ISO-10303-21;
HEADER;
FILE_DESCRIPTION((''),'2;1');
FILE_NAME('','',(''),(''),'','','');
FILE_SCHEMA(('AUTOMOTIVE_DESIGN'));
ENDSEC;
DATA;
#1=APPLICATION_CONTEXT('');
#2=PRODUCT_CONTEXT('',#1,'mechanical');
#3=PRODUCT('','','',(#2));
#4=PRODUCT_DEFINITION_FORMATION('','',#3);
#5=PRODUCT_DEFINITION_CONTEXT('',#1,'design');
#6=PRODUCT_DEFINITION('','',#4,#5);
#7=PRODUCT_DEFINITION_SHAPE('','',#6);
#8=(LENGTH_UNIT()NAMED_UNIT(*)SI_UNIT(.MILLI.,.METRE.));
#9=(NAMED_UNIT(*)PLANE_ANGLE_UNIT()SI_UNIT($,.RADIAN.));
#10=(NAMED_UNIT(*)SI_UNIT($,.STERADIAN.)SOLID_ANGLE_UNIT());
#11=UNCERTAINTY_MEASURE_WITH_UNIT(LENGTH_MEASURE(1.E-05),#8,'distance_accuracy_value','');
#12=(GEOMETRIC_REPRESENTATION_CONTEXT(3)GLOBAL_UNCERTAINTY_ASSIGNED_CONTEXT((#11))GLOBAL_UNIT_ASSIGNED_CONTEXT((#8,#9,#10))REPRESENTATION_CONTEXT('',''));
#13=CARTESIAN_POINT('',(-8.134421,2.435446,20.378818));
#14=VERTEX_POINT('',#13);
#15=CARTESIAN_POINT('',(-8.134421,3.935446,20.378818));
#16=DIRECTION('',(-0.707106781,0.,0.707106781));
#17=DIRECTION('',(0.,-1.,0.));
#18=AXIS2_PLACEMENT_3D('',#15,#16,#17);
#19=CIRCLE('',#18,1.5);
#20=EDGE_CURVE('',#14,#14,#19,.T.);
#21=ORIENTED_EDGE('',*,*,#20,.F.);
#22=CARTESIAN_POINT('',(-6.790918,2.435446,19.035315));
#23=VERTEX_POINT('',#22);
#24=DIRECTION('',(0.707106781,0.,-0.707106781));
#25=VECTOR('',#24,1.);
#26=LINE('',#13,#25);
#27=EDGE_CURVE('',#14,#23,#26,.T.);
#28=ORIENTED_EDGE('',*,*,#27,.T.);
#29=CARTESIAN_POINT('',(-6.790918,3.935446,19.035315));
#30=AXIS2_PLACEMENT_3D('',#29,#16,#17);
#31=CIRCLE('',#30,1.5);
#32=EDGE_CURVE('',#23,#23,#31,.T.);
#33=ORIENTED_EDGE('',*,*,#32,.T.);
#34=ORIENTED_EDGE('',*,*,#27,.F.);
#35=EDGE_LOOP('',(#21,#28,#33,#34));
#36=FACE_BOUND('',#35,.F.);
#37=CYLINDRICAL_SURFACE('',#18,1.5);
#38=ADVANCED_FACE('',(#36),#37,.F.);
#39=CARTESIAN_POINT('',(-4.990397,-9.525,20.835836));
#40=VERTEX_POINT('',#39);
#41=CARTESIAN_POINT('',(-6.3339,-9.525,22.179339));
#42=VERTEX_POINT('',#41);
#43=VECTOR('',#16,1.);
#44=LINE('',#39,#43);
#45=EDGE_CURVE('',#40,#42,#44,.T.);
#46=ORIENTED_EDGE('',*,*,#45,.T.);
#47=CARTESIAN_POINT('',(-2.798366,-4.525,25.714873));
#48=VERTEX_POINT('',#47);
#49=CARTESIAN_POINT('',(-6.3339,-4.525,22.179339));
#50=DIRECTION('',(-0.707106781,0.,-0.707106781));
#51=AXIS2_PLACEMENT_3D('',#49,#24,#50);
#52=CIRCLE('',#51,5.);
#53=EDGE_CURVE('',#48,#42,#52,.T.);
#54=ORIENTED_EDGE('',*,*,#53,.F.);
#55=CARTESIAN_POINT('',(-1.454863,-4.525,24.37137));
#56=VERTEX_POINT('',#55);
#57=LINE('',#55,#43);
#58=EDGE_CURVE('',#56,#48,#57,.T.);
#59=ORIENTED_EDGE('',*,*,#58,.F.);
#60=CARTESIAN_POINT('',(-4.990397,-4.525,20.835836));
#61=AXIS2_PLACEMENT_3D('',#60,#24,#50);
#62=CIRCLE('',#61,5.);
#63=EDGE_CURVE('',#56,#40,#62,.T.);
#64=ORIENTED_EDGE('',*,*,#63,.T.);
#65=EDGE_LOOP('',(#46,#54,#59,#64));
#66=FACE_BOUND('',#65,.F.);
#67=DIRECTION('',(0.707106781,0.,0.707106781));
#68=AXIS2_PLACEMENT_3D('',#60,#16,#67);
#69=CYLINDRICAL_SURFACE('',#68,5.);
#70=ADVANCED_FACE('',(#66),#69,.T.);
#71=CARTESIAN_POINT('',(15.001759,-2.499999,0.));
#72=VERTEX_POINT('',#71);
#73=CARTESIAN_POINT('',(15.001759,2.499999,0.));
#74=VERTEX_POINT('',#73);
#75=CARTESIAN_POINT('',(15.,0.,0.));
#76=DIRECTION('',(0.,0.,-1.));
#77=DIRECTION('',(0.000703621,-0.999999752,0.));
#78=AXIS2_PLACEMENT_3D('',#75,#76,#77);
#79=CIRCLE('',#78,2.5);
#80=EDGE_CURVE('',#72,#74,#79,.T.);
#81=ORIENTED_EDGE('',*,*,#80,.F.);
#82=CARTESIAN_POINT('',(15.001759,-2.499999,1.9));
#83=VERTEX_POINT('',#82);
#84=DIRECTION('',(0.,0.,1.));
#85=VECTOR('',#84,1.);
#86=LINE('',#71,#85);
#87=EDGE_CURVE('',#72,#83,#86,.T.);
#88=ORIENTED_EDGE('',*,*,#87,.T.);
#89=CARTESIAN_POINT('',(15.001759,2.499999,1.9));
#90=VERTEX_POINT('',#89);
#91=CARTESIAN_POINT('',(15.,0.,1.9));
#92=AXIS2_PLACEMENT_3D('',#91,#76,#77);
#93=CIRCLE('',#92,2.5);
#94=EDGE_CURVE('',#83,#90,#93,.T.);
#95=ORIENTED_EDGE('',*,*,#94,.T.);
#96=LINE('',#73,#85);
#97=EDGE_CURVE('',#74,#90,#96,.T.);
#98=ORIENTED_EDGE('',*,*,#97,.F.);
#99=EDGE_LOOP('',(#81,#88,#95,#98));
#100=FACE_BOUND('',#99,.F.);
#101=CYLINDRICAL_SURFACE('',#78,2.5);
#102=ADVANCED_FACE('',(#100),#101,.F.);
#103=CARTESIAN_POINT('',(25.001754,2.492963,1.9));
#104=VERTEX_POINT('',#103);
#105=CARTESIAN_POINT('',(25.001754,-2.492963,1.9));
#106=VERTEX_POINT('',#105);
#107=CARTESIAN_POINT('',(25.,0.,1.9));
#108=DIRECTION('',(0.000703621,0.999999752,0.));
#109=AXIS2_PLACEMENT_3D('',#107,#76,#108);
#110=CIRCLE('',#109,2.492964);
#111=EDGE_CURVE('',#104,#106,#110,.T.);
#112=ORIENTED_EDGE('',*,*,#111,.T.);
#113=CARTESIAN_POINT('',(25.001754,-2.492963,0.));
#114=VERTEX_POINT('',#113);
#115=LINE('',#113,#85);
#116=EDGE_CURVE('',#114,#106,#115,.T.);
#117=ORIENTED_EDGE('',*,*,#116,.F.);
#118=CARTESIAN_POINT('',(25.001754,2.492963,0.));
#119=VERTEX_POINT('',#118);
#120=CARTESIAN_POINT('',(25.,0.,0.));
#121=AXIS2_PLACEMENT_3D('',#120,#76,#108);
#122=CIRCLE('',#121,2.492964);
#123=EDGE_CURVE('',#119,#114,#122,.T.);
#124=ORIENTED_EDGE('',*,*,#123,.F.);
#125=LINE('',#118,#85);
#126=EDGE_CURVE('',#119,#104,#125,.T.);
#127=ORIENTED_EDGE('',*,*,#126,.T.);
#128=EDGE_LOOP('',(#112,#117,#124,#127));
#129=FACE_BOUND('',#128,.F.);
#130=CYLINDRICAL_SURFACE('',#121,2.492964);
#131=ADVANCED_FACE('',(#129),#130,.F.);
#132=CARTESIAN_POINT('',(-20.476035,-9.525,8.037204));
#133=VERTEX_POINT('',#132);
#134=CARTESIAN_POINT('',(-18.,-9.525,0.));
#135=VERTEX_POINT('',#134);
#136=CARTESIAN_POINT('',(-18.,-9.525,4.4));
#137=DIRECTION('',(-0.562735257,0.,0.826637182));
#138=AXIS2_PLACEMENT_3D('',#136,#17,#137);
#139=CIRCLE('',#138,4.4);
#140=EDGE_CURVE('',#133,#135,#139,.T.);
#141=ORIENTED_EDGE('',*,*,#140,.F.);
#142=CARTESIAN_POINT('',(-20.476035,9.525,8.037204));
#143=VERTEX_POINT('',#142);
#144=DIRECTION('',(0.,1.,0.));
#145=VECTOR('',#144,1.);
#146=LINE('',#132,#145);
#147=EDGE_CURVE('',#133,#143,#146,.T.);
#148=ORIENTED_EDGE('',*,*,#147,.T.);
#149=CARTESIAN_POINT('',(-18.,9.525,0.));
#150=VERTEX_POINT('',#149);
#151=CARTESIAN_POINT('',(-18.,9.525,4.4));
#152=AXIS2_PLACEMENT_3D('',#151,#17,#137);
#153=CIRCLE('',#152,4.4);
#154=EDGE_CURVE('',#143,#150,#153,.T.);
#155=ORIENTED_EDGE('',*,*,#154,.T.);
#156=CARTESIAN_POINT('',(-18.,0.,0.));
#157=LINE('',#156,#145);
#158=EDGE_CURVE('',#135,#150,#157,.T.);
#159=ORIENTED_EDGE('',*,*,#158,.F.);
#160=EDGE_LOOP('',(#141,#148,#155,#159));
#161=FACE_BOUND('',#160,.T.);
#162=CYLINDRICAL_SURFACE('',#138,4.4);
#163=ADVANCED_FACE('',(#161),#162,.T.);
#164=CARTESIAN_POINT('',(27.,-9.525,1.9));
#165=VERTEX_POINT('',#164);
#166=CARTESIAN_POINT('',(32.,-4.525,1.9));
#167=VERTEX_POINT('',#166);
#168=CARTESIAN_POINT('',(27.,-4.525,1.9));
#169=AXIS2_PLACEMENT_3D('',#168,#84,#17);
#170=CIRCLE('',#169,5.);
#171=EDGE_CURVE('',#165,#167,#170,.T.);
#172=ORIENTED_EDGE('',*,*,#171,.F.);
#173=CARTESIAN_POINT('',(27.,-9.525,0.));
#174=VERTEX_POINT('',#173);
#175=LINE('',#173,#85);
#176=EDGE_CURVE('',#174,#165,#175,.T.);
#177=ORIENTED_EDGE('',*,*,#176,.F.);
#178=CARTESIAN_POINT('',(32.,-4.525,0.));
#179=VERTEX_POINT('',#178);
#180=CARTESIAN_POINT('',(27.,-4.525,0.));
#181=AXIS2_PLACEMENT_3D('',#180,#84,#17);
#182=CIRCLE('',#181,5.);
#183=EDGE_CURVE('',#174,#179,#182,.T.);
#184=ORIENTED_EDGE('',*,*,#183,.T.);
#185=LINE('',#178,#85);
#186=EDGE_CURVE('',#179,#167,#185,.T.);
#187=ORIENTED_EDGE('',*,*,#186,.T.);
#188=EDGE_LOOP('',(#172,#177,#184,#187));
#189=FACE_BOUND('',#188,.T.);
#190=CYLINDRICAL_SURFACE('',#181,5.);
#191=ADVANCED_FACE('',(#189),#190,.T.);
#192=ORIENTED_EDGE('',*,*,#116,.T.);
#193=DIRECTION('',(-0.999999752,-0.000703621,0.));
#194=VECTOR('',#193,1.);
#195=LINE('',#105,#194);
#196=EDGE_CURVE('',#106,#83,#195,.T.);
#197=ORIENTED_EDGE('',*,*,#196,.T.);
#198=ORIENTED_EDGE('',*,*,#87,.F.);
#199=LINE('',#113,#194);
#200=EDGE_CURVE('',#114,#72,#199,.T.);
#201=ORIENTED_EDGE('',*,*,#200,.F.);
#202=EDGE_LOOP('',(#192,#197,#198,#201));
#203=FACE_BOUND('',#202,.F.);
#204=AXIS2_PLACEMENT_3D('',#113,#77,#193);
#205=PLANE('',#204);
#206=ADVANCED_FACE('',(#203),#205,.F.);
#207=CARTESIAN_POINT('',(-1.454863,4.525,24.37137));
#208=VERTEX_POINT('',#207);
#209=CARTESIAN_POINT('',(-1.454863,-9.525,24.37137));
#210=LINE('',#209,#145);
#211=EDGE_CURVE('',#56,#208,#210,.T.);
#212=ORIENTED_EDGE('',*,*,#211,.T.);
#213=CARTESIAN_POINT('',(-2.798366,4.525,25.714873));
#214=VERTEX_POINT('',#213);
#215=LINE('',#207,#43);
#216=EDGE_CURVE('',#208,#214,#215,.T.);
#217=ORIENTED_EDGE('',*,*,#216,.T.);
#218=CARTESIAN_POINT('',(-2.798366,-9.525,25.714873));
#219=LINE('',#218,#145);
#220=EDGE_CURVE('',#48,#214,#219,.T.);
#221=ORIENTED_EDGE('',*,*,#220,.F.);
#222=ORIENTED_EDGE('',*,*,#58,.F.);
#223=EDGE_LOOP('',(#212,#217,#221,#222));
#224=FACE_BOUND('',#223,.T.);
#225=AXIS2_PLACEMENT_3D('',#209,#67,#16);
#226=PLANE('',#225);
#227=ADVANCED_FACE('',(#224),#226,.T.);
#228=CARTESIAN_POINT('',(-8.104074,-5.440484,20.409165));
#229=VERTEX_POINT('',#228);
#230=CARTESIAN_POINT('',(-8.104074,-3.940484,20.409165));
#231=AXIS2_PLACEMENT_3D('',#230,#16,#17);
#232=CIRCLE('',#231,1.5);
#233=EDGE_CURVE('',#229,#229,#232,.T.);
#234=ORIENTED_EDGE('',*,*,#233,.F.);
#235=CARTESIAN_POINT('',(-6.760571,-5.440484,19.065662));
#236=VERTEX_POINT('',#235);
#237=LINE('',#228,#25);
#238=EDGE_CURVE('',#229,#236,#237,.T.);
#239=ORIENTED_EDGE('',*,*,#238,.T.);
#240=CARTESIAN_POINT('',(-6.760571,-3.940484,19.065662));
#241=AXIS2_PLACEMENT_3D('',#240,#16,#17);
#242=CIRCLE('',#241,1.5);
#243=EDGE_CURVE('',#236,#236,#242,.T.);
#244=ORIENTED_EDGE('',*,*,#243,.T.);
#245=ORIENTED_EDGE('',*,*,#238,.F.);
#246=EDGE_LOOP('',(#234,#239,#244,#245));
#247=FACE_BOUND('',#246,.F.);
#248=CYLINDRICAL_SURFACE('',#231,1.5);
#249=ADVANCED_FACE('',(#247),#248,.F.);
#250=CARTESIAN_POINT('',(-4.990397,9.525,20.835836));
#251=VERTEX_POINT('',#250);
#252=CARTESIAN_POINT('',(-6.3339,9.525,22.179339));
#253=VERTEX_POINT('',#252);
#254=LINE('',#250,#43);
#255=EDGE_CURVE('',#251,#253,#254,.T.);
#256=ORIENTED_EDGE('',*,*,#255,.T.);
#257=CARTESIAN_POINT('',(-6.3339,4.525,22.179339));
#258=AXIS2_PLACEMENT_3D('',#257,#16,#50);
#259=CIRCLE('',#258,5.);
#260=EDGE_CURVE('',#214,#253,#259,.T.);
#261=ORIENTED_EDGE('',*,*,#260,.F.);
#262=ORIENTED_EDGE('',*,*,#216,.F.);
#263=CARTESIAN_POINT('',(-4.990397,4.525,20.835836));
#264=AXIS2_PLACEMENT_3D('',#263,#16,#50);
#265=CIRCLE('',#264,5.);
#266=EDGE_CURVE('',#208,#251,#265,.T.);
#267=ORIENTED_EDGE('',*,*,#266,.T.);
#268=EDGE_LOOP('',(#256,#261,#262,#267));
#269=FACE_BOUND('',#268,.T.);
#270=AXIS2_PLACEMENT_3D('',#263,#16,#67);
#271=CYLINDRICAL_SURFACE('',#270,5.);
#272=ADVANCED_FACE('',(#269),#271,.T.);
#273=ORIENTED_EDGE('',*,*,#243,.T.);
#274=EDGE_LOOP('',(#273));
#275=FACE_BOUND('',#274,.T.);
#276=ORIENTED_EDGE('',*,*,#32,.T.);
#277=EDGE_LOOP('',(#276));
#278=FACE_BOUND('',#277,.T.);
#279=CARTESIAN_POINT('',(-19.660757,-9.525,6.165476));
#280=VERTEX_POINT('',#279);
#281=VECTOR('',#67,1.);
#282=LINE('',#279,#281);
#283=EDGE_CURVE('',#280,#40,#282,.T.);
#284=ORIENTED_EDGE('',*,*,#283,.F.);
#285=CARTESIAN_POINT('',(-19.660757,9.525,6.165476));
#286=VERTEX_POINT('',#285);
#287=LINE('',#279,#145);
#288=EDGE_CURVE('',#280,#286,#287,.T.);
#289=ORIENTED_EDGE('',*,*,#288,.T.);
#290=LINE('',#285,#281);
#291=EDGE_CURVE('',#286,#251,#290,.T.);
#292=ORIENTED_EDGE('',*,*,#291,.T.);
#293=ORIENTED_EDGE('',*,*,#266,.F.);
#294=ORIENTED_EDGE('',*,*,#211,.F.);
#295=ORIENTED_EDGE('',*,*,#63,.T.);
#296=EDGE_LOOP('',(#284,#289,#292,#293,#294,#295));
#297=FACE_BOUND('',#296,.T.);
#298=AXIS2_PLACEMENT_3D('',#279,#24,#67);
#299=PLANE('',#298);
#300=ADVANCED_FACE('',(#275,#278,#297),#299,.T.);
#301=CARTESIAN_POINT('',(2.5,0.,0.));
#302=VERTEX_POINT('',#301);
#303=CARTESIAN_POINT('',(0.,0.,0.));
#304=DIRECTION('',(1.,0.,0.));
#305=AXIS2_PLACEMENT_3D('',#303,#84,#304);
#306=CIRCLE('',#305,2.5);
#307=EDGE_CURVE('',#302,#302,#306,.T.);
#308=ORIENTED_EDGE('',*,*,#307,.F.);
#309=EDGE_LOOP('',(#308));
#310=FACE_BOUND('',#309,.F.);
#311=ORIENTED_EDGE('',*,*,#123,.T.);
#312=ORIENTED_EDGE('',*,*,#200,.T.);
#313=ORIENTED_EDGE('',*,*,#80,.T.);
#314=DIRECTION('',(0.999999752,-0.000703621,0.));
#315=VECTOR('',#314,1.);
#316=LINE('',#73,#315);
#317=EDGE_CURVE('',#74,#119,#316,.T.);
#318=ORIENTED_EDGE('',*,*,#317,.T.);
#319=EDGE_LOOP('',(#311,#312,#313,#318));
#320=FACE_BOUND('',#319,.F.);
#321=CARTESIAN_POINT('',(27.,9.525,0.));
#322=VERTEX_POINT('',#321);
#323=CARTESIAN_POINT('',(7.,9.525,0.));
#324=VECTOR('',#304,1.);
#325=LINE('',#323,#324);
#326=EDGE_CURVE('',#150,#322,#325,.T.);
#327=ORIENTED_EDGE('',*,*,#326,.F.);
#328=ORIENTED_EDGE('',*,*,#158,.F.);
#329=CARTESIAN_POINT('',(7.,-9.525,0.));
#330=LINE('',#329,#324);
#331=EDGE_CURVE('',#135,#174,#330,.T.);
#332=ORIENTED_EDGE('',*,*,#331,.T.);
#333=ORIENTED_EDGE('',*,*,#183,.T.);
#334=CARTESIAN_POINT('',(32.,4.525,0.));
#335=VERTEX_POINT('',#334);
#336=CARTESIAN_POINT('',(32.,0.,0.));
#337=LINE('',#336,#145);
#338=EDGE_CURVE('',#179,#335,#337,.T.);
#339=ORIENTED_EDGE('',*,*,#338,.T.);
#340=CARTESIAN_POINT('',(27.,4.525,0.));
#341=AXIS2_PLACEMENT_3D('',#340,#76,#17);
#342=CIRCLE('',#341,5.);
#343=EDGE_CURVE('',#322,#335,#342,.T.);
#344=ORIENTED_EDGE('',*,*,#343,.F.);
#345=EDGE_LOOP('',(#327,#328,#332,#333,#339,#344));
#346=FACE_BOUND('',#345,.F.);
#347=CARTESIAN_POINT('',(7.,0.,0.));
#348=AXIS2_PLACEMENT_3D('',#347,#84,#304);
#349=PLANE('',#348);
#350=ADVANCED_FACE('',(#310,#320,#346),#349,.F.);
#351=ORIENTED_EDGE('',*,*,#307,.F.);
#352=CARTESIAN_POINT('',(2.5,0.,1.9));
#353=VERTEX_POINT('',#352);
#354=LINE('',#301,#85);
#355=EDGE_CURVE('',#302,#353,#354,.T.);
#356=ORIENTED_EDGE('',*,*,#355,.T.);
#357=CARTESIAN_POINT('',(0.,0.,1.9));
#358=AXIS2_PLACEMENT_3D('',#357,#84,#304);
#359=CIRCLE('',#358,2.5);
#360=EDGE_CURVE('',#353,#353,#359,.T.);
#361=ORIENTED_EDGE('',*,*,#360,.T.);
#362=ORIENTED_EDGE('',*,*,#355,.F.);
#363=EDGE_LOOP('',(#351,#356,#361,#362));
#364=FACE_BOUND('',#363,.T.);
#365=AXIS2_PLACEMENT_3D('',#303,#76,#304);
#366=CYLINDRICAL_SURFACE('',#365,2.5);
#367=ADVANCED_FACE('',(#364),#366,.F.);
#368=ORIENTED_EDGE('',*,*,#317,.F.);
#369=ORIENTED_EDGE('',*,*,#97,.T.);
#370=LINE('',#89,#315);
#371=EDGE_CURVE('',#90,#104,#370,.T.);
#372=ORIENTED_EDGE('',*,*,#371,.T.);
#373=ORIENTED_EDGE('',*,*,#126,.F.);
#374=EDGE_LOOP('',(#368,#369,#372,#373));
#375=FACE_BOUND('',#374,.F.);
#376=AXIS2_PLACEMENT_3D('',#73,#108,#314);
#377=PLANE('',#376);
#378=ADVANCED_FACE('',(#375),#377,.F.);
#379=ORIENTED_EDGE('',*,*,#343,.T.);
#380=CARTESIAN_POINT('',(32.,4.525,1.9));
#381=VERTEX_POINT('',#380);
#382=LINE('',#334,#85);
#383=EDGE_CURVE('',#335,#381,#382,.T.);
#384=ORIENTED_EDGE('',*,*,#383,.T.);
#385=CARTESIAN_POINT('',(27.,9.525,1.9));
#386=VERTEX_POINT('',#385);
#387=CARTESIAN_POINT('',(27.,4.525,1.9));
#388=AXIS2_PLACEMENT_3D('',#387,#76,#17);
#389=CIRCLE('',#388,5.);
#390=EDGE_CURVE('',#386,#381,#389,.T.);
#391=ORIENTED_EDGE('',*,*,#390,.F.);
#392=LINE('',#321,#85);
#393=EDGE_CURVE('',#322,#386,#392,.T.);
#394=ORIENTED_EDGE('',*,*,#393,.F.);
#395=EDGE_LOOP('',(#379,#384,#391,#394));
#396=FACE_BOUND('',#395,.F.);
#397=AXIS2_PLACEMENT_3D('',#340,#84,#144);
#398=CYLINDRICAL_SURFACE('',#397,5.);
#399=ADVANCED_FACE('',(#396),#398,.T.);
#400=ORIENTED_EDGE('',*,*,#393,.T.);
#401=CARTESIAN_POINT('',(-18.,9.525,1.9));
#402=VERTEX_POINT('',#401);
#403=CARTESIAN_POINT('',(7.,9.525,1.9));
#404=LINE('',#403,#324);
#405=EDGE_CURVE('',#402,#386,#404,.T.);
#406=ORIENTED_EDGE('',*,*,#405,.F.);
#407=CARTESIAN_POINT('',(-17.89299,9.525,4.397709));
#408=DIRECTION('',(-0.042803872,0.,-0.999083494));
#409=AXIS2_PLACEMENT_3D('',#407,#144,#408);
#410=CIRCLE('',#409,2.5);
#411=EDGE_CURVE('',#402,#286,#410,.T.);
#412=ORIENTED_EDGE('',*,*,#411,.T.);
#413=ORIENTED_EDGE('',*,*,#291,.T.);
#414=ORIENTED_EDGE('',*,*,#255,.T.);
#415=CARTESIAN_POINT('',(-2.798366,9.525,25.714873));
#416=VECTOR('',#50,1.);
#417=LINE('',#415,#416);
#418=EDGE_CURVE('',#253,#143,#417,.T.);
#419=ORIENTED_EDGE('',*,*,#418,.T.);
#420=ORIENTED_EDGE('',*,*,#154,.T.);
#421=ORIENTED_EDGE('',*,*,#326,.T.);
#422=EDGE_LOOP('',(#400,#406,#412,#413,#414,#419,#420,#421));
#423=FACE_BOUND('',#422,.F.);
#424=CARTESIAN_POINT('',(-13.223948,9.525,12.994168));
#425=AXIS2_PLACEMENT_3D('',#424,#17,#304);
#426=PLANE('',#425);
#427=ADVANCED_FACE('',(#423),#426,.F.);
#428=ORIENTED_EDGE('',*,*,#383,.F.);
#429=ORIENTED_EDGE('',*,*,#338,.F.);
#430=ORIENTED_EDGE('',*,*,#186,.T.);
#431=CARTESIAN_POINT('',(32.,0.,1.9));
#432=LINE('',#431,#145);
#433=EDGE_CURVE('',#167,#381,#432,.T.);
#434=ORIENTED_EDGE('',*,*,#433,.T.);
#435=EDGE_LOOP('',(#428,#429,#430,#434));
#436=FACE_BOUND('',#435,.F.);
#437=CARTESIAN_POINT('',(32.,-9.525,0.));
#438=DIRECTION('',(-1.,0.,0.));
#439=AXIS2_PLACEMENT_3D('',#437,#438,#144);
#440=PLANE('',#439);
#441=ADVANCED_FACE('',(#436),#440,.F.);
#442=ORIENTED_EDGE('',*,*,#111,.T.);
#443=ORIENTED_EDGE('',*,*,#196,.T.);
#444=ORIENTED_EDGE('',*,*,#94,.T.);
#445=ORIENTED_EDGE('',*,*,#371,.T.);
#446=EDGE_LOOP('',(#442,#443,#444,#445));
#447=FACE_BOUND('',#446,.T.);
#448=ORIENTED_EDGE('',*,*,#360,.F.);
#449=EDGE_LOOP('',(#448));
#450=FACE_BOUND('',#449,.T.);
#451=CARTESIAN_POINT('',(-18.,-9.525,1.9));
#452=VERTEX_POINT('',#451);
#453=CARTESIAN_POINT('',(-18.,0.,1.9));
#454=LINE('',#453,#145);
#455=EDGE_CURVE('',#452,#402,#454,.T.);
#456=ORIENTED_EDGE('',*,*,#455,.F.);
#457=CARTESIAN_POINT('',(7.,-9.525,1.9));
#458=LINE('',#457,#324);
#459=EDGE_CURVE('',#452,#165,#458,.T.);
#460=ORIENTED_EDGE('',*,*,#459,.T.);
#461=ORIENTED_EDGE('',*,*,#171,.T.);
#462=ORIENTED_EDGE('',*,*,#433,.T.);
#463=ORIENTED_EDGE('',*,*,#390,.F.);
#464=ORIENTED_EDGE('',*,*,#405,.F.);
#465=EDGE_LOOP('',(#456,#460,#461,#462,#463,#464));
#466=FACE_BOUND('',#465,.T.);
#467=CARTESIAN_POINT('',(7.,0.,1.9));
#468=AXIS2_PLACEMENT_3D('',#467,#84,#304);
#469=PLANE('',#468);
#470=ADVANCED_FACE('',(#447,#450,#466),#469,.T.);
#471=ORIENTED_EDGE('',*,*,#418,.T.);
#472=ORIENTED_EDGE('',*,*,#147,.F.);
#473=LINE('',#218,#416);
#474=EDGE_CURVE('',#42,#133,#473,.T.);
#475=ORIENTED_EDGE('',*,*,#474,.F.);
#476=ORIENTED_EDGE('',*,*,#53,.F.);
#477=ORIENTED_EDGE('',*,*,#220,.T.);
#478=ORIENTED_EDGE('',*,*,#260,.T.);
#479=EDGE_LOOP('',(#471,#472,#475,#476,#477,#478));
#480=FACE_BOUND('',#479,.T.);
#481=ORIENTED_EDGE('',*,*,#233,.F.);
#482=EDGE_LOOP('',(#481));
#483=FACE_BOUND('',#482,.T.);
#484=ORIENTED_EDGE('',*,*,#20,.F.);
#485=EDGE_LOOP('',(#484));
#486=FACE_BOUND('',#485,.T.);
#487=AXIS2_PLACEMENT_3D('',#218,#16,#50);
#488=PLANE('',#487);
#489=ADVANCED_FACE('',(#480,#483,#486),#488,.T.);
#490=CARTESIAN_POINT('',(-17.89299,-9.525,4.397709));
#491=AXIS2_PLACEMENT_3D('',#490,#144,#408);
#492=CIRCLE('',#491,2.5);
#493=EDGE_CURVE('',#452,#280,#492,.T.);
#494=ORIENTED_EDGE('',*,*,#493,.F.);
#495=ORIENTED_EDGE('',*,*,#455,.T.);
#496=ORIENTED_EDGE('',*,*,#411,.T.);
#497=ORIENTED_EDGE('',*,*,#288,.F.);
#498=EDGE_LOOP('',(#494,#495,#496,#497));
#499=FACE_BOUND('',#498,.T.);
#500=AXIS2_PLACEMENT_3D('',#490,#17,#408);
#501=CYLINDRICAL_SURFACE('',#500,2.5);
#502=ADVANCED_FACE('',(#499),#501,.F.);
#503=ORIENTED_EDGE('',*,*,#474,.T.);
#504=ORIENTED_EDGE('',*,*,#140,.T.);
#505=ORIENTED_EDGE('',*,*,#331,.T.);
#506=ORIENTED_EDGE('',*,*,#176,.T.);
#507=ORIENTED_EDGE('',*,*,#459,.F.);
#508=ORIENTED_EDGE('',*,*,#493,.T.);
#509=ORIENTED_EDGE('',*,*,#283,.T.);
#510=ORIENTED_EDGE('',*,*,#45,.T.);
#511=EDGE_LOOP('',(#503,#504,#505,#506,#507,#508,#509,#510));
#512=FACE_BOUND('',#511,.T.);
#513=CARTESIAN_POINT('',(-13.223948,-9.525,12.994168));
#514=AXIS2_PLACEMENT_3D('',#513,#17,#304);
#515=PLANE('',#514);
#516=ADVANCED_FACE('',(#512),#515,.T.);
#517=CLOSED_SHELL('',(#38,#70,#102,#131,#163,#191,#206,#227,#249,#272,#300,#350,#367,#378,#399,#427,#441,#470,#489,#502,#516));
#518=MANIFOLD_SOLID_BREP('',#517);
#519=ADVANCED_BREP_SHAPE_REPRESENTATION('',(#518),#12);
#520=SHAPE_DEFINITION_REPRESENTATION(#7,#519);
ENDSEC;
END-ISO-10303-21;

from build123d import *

# Parameters (mm, degrees)
F0_W     = 50
F0_H     = 19.05
F0_R     = 2.5
F1_DEPTH = 1.9
F2_R     = 5
F4_DEPTH = 19.05
F5_R     = 5
F6_R     = 1.5
F7_DEPTH = 5


with BuildPart() as f1:
    # F0 (on Top) → F1 (new body)
    with BuildSketch(Plane.XY):
        with Locations((7, 0)):
            Rectangle(F0_W, F0_H)
        Circle(F0_R, mode=Mode.SUBTRACT)
        with BuildLine():
            ThreePointArc((25.0017541021, 2.4929631711), (26.7634116596, 1.762171322), (27.4929637882, 0))
            ThreePointArc((27.4929637882, 0), (26.7634116596, -1.762171322), (25.0017541021, -2.4929631711))
            Line((25.0017541021, -2.4929631711), (15.0017590529, -2.4999993811))
            ThreePointArc((15.0017590529, -2.4999993811), (12.5, 0), (15.0017590529, 2.4999993811))
            Line((15.0017590529, 2.4999993811), (25.0017541021, 2.4929631711))
        make_face(mode=Mode.SUBTRACT)
    extrude(amount=F1_DEPTH)

    # F2
    f2_edges = [f1.edges().sort_by_distance(p)[0] for p in [
        (32, -9.525, 0.95),
        (32, 9.525, 0.95),
    ]]
    fillet(f2_edges, radius=F2_R)

    # F3 (on face) → F4 (join)
    with BuildSketch(Plane.XZ.offset(9.525)):
        with BuildLine():
            Line((-2.7983656003, 25.7148731307), (-20.47603513, 8.037203601))
            ThreePointArc((-20.47603513, 8.037203601), (-22.2049789443, 3.1045649079), (-18, 0))
            Line((-18, 0), (-18, 1.9))
            ThreePointArc((-18, 1.9), (-20.2226399871, 3.4906627434), (-19.6607572738, 6.1654756887))
            Line((-19.6607572738, 6.1654756887), (-1.454862716, 24.3713702464))
            Line((-1.454862716, 24.3713702464), (-2.7983656003, 25.7148731307))
        make_face()
    extrude(amount=-F4_DEPTH)

    # F5
    f5_edges = [f1.edges().sort_by_distance(p)[0] for p in [
        (-2.126614, -9.525, 25.043122),
        (-2.126614, 9.525, 25.043122),
    ]]
    fillet(f5_edges, radius=F5_R)

    # F6 (on face) → F7 (cut)
    with BuildSketch(Plane(origin=(-14.2566193655, 0, 14.2566193655), x_dir=(0, -1, 0), z_dir=(-0.7071067812, 0, 0.7071067812))):
        with Locations((-3.9354462066, 8.6580958872)):
            Circle(F6_R)
        with Locations((3.9404836009, 8.701013138)):
            Circle(F6_R)
    extrude(amount=-F7_DEPTH, mode=Mode.SUBTRACT)


solid = f1.part
